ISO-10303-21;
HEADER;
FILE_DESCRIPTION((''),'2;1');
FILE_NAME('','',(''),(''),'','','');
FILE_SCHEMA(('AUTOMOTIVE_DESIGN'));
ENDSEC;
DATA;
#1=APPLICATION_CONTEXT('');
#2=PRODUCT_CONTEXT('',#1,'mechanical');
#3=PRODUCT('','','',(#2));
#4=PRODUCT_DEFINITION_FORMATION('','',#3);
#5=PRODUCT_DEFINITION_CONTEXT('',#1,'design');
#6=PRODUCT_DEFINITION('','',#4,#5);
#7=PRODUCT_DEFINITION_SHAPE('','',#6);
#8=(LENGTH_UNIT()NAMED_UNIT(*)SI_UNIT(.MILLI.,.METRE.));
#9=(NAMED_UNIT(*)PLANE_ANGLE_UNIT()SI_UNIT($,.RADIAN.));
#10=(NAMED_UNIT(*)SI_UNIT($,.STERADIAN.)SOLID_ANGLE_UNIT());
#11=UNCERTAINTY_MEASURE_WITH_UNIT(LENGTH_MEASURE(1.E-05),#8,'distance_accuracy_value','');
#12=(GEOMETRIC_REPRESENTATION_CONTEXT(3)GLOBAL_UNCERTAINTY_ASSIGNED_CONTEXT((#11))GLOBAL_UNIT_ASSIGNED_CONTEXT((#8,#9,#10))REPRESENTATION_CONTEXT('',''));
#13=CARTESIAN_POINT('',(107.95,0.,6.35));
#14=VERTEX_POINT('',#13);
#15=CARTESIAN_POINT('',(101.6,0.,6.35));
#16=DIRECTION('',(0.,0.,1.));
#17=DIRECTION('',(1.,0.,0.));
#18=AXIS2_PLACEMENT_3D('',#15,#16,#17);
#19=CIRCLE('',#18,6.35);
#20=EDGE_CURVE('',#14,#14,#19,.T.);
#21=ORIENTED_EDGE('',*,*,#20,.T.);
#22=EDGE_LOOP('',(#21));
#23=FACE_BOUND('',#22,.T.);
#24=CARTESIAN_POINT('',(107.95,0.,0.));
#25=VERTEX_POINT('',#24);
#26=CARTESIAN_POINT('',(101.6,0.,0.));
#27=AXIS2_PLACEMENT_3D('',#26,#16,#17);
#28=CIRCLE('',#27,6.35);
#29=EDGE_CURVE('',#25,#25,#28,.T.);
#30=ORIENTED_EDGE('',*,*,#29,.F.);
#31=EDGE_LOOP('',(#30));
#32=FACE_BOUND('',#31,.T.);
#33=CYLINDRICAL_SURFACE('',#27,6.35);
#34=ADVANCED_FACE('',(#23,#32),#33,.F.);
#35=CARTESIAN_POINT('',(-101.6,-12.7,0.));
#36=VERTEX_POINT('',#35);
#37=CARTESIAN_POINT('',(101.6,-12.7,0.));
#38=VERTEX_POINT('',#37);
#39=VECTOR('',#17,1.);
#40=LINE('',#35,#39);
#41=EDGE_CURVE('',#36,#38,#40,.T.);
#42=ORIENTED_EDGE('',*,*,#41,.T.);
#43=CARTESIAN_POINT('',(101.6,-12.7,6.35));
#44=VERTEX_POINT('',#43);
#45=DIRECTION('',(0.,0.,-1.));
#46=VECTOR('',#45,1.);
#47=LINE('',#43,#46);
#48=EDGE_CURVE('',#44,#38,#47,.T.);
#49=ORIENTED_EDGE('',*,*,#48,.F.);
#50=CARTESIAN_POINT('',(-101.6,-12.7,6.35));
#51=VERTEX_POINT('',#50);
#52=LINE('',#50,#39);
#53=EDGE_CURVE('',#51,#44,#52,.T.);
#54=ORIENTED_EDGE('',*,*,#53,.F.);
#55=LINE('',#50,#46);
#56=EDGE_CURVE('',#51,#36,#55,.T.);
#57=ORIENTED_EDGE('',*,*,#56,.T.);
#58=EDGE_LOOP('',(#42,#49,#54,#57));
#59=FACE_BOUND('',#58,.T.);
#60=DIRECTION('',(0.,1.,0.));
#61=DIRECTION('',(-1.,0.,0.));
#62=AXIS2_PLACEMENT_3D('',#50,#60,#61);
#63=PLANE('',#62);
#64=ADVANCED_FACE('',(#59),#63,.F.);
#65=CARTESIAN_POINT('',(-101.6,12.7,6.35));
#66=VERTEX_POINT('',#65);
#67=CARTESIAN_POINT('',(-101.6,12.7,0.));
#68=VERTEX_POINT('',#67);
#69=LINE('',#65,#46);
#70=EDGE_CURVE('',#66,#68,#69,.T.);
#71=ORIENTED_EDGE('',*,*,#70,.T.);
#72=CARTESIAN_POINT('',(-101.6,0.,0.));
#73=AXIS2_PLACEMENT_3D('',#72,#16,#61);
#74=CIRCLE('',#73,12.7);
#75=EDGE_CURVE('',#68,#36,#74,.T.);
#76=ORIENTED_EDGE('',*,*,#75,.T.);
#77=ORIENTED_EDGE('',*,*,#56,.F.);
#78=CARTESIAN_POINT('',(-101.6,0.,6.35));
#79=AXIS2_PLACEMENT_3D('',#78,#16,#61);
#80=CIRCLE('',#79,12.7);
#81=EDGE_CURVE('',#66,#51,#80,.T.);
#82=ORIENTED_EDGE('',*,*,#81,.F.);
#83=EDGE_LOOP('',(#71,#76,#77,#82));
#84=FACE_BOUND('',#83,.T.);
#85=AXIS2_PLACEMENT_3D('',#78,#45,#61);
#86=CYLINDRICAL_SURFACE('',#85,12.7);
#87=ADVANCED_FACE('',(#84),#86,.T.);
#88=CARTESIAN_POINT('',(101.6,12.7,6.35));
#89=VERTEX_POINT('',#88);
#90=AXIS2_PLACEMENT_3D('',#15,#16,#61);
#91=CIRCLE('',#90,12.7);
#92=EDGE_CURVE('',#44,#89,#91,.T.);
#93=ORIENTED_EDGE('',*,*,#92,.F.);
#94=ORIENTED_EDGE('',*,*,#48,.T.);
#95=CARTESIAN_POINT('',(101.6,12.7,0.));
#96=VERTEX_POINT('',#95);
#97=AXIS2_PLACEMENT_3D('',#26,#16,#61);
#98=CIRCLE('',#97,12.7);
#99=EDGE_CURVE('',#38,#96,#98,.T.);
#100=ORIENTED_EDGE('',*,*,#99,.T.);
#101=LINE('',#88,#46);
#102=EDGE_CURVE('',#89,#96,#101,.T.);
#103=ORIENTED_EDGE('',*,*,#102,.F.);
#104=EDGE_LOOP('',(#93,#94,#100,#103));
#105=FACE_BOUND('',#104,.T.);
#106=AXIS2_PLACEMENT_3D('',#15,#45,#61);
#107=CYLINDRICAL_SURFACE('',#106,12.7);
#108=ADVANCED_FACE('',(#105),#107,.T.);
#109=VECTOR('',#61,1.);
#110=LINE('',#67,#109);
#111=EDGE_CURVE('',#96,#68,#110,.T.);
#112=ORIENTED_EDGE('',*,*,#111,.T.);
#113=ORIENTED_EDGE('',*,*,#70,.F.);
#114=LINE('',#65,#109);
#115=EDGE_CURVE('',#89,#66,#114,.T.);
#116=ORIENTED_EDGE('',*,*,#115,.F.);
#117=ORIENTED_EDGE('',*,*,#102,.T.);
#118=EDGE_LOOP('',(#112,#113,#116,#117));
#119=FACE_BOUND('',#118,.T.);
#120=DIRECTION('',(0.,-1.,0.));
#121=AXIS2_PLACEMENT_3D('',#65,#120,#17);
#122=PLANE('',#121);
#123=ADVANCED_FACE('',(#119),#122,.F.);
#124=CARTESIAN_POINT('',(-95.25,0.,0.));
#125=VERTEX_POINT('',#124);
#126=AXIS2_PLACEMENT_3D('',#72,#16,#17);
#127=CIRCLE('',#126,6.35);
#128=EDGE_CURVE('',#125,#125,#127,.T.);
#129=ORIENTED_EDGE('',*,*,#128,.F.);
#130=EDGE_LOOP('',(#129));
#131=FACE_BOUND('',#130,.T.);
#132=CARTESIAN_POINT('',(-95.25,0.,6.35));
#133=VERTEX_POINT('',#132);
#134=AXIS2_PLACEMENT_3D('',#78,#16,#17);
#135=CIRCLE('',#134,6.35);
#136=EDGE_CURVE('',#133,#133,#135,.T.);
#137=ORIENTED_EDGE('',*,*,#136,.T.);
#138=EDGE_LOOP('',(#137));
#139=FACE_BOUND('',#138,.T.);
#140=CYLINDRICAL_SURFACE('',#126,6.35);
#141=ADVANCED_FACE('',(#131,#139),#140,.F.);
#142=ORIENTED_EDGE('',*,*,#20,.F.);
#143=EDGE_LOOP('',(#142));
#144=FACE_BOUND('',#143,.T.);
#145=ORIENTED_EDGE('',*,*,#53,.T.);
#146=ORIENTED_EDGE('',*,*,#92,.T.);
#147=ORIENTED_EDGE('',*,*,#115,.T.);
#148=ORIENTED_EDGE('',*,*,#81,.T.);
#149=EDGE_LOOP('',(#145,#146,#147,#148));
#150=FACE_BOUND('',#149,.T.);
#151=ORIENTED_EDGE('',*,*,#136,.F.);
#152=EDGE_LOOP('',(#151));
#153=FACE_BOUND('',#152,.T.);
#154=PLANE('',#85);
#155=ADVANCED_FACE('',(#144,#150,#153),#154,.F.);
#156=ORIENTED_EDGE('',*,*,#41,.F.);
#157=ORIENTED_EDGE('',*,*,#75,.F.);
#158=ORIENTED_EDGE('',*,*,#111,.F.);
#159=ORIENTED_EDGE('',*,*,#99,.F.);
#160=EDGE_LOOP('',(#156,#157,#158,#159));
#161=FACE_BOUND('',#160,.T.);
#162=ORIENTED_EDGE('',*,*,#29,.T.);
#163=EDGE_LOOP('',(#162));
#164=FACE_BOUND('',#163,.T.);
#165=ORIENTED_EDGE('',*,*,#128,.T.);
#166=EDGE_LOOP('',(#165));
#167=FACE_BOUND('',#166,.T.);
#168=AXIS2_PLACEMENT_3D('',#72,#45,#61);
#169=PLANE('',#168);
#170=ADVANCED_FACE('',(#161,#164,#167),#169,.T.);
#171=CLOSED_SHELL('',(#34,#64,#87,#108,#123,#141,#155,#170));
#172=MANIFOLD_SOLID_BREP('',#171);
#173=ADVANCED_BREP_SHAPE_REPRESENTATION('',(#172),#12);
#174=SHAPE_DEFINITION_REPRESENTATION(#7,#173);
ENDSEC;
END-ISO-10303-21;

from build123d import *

# Parameters (mm, degrees)
EXTRUDE1_DEPTH     = 6.35
SKETCH5_R          = 6.35
CUT_EXTRUDE1_DEPTH = 7.35


with BuildPart() as part:
    # Sketch1 → Extrude1 (new body)
    with BuildSketch(Plane.XY):
        with BuildLine():
            Line((-101.6, 12.7), (101.6, 12.7))
            ThreePointArc((101.6, 12.7), (114.3, 0), (101.6, -12.7))
            Line((101.6, -12.7), (-101.6, -12.7))
            ThreePointArc((-101.6, -12.7), (-114.3, 0), (-101.6, 12.7))
        make_face()
    extrude(amount=EXTRUDE1_DEPTH)

    # Sketch5 → Cut-Extrude1 (cut, through all)
    with BuildSketch(Plane.XY.offset(6.35)):
        with Locations((-101.6, 0)):
            Circle(SKETCH5_R)
        with Locations((101.6, 0)):
            Circle(SKETCH5_R)
    extrude(amount=-CUT_EXTRUDE1_DEPTH, mode=Mode.SUBTRACT)


solid = part.part
